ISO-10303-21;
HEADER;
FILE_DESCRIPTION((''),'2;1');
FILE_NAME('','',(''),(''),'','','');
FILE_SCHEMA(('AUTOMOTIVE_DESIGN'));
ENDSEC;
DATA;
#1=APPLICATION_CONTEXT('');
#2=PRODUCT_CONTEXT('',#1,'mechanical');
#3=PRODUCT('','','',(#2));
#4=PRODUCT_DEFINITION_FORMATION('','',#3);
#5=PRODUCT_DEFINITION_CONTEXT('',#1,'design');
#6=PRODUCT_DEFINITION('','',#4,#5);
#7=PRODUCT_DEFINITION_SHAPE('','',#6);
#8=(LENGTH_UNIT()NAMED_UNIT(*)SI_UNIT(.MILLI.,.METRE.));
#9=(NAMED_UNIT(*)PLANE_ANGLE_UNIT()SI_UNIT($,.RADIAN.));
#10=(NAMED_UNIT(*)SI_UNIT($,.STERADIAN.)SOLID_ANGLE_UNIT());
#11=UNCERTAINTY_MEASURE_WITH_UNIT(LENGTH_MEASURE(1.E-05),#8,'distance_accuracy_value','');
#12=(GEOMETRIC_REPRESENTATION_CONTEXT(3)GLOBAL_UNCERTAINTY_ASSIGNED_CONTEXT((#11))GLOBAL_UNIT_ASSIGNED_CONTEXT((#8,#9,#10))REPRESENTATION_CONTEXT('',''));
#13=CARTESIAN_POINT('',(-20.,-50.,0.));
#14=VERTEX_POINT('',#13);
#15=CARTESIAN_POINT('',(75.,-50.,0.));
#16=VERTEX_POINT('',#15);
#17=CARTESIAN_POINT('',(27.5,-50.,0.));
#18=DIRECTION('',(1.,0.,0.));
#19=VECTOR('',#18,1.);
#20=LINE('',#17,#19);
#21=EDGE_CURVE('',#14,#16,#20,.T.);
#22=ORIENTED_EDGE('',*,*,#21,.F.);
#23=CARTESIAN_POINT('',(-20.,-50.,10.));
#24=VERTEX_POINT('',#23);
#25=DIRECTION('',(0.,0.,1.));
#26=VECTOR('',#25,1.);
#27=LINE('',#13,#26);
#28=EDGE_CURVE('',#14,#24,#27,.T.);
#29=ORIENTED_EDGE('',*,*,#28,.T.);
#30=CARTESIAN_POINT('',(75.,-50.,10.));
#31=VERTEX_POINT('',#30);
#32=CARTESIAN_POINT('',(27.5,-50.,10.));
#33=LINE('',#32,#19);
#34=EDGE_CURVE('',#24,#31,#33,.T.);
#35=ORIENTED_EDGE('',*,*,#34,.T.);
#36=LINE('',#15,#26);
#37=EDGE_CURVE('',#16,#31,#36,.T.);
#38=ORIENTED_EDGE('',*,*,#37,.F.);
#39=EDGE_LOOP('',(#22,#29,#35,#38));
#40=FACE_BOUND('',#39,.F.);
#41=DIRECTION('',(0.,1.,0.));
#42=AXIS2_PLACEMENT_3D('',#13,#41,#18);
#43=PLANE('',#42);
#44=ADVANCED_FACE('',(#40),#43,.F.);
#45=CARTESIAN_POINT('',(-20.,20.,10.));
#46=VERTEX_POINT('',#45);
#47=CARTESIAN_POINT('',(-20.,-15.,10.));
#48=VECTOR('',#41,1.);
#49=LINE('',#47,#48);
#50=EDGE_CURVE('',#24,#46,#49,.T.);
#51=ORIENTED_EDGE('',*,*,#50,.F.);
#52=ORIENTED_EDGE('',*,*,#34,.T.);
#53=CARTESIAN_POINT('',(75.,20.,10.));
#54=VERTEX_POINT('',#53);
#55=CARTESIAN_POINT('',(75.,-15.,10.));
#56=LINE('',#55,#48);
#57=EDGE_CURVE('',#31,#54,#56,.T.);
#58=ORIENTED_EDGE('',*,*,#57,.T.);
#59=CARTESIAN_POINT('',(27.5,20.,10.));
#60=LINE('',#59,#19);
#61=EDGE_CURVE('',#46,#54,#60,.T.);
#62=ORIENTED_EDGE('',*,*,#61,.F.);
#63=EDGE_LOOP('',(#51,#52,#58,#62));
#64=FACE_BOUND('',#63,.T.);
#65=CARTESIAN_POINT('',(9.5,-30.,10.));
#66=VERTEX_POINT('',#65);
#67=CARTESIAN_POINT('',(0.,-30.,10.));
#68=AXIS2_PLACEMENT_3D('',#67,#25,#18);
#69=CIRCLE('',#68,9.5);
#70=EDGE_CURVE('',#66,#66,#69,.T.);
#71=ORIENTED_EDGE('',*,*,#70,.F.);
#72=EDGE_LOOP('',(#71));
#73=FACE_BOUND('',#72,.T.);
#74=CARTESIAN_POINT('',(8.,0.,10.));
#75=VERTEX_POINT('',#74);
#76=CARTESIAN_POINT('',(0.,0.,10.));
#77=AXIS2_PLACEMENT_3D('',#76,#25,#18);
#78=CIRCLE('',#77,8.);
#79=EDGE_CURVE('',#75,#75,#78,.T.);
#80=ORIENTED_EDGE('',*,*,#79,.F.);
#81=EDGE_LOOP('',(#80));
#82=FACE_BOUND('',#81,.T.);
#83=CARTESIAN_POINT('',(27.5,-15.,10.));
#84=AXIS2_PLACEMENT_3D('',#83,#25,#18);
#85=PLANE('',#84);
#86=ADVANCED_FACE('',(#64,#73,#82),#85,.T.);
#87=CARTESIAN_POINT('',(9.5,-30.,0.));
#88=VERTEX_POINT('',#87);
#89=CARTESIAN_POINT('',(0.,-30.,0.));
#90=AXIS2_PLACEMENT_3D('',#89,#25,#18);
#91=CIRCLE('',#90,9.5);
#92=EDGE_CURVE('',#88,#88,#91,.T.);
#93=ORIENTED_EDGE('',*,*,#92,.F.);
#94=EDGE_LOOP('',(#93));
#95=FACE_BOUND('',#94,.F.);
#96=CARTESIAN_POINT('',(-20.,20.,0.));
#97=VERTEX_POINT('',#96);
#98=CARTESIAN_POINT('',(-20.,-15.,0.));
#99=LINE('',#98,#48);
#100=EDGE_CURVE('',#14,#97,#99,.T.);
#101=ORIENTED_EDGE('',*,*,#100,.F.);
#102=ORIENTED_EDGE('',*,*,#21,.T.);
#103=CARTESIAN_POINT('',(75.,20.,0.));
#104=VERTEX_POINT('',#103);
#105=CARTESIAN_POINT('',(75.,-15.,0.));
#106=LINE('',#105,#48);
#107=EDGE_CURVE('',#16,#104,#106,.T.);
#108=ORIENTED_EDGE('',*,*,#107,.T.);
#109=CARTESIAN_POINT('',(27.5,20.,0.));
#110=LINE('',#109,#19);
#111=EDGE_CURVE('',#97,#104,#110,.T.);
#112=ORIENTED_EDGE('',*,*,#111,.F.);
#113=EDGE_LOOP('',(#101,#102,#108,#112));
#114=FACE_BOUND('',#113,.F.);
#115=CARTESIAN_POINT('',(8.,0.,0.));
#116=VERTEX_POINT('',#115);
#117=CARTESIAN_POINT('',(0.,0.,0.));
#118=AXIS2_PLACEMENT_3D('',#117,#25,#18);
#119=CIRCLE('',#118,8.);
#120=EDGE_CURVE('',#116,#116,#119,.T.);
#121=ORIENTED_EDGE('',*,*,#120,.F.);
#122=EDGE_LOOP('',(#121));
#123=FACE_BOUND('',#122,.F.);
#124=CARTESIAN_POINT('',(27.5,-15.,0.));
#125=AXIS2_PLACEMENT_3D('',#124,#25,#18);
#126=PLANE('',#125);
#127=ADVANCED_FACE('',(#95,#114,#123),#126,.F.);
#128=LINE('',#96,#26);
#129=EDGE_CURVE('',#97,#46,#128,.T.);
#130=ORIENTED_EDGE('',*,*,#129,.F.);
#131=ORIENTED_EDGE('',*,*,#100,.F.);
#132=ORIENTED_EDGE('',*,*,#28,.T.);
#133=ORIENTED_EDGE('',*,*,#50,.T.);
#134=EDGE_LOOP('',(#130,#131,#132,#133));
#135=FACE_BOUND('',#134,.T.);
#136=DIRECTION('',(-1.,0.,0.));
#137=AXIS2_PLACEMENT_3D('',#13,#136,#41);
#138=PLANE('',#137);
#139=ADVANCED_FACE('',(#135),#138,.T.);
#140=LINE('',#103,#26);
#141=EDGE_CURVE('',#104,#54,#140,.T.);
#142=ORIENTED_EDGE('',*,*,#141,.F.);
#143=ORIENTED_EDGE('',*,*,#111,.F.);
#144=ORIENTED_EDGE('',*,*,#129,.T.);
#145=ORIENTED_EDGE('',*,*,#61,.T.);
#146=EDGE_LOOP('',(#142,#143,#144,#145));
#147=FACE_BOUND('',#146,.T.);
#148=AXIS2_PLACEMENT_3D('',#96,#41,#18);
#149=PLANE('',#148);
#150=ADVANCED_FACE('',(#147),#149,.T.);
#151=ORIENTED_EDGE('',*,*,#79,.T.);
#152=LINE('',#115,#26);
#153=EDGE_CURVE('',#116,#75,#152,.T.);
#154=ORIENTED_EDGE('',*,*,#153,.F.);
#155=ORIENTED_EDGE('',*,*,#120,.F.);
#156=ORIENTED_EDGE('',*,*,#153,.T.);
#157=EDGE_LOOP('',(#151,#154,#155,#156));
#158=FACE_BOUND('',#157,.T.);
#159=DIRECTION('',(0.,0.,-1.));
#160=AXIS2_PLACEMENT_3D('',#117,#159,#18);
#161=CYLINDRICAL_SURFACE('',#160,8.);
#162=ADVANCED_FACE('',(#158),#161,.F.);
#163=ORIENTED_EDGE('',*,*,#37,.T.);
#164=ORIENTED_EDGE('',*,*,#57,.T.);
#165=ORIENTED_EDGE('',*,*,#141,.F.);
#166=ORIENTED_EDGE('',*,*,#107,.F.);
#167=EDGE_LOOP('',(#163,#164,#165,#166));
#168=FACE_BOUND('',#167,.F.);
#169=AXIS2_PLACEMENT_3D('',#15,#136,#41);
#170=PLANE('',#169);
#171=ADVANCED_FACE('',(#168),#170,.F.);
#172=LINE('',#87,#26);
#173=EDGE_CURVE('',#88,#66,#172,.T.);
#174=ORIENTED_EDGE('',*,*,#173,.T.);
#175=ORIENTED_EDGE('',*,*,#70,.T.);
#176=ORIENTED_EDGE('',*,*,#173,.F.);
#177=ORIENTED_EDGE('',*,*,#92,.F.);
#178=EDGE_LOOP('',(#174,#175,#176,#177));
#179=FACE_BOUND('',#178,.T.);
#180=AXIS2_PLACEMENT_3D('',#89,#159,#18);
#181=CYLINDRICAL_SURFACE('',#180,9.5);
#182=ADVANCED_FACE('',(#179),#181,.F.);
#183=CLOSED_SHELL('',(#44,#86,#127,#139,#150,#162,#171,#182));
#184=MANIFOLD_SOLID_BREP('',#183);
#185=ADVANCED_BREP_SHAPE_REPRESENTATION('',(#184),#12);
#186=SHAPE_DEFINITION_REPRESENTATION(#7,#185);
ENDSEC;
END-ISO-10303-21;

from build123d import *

# Parameters (mm, degrees)
SKETCH_W   = 95
SKETCH_H   = 70
SKETCH_R   = 8
SKETCH_R_2 = 9.5
PAD_DEPTH  = 10


with BuildPart() as part:
    # Sketch → Pad (new body)
    with BuildSketch(Plane.XY):
        with Locations((27.5, -15)):
            Rectangle(SKETCH_W, SKETCH_H)
        Circle(SKETCH_R, mode=Mode.SUBTRACT)
        with Locations((0, -30)):
            Circle(SKETCH_R_2, mode=Mode.SUBTRACT)
    extrude(amount=PAD_DEPTH)


solid = part.part
